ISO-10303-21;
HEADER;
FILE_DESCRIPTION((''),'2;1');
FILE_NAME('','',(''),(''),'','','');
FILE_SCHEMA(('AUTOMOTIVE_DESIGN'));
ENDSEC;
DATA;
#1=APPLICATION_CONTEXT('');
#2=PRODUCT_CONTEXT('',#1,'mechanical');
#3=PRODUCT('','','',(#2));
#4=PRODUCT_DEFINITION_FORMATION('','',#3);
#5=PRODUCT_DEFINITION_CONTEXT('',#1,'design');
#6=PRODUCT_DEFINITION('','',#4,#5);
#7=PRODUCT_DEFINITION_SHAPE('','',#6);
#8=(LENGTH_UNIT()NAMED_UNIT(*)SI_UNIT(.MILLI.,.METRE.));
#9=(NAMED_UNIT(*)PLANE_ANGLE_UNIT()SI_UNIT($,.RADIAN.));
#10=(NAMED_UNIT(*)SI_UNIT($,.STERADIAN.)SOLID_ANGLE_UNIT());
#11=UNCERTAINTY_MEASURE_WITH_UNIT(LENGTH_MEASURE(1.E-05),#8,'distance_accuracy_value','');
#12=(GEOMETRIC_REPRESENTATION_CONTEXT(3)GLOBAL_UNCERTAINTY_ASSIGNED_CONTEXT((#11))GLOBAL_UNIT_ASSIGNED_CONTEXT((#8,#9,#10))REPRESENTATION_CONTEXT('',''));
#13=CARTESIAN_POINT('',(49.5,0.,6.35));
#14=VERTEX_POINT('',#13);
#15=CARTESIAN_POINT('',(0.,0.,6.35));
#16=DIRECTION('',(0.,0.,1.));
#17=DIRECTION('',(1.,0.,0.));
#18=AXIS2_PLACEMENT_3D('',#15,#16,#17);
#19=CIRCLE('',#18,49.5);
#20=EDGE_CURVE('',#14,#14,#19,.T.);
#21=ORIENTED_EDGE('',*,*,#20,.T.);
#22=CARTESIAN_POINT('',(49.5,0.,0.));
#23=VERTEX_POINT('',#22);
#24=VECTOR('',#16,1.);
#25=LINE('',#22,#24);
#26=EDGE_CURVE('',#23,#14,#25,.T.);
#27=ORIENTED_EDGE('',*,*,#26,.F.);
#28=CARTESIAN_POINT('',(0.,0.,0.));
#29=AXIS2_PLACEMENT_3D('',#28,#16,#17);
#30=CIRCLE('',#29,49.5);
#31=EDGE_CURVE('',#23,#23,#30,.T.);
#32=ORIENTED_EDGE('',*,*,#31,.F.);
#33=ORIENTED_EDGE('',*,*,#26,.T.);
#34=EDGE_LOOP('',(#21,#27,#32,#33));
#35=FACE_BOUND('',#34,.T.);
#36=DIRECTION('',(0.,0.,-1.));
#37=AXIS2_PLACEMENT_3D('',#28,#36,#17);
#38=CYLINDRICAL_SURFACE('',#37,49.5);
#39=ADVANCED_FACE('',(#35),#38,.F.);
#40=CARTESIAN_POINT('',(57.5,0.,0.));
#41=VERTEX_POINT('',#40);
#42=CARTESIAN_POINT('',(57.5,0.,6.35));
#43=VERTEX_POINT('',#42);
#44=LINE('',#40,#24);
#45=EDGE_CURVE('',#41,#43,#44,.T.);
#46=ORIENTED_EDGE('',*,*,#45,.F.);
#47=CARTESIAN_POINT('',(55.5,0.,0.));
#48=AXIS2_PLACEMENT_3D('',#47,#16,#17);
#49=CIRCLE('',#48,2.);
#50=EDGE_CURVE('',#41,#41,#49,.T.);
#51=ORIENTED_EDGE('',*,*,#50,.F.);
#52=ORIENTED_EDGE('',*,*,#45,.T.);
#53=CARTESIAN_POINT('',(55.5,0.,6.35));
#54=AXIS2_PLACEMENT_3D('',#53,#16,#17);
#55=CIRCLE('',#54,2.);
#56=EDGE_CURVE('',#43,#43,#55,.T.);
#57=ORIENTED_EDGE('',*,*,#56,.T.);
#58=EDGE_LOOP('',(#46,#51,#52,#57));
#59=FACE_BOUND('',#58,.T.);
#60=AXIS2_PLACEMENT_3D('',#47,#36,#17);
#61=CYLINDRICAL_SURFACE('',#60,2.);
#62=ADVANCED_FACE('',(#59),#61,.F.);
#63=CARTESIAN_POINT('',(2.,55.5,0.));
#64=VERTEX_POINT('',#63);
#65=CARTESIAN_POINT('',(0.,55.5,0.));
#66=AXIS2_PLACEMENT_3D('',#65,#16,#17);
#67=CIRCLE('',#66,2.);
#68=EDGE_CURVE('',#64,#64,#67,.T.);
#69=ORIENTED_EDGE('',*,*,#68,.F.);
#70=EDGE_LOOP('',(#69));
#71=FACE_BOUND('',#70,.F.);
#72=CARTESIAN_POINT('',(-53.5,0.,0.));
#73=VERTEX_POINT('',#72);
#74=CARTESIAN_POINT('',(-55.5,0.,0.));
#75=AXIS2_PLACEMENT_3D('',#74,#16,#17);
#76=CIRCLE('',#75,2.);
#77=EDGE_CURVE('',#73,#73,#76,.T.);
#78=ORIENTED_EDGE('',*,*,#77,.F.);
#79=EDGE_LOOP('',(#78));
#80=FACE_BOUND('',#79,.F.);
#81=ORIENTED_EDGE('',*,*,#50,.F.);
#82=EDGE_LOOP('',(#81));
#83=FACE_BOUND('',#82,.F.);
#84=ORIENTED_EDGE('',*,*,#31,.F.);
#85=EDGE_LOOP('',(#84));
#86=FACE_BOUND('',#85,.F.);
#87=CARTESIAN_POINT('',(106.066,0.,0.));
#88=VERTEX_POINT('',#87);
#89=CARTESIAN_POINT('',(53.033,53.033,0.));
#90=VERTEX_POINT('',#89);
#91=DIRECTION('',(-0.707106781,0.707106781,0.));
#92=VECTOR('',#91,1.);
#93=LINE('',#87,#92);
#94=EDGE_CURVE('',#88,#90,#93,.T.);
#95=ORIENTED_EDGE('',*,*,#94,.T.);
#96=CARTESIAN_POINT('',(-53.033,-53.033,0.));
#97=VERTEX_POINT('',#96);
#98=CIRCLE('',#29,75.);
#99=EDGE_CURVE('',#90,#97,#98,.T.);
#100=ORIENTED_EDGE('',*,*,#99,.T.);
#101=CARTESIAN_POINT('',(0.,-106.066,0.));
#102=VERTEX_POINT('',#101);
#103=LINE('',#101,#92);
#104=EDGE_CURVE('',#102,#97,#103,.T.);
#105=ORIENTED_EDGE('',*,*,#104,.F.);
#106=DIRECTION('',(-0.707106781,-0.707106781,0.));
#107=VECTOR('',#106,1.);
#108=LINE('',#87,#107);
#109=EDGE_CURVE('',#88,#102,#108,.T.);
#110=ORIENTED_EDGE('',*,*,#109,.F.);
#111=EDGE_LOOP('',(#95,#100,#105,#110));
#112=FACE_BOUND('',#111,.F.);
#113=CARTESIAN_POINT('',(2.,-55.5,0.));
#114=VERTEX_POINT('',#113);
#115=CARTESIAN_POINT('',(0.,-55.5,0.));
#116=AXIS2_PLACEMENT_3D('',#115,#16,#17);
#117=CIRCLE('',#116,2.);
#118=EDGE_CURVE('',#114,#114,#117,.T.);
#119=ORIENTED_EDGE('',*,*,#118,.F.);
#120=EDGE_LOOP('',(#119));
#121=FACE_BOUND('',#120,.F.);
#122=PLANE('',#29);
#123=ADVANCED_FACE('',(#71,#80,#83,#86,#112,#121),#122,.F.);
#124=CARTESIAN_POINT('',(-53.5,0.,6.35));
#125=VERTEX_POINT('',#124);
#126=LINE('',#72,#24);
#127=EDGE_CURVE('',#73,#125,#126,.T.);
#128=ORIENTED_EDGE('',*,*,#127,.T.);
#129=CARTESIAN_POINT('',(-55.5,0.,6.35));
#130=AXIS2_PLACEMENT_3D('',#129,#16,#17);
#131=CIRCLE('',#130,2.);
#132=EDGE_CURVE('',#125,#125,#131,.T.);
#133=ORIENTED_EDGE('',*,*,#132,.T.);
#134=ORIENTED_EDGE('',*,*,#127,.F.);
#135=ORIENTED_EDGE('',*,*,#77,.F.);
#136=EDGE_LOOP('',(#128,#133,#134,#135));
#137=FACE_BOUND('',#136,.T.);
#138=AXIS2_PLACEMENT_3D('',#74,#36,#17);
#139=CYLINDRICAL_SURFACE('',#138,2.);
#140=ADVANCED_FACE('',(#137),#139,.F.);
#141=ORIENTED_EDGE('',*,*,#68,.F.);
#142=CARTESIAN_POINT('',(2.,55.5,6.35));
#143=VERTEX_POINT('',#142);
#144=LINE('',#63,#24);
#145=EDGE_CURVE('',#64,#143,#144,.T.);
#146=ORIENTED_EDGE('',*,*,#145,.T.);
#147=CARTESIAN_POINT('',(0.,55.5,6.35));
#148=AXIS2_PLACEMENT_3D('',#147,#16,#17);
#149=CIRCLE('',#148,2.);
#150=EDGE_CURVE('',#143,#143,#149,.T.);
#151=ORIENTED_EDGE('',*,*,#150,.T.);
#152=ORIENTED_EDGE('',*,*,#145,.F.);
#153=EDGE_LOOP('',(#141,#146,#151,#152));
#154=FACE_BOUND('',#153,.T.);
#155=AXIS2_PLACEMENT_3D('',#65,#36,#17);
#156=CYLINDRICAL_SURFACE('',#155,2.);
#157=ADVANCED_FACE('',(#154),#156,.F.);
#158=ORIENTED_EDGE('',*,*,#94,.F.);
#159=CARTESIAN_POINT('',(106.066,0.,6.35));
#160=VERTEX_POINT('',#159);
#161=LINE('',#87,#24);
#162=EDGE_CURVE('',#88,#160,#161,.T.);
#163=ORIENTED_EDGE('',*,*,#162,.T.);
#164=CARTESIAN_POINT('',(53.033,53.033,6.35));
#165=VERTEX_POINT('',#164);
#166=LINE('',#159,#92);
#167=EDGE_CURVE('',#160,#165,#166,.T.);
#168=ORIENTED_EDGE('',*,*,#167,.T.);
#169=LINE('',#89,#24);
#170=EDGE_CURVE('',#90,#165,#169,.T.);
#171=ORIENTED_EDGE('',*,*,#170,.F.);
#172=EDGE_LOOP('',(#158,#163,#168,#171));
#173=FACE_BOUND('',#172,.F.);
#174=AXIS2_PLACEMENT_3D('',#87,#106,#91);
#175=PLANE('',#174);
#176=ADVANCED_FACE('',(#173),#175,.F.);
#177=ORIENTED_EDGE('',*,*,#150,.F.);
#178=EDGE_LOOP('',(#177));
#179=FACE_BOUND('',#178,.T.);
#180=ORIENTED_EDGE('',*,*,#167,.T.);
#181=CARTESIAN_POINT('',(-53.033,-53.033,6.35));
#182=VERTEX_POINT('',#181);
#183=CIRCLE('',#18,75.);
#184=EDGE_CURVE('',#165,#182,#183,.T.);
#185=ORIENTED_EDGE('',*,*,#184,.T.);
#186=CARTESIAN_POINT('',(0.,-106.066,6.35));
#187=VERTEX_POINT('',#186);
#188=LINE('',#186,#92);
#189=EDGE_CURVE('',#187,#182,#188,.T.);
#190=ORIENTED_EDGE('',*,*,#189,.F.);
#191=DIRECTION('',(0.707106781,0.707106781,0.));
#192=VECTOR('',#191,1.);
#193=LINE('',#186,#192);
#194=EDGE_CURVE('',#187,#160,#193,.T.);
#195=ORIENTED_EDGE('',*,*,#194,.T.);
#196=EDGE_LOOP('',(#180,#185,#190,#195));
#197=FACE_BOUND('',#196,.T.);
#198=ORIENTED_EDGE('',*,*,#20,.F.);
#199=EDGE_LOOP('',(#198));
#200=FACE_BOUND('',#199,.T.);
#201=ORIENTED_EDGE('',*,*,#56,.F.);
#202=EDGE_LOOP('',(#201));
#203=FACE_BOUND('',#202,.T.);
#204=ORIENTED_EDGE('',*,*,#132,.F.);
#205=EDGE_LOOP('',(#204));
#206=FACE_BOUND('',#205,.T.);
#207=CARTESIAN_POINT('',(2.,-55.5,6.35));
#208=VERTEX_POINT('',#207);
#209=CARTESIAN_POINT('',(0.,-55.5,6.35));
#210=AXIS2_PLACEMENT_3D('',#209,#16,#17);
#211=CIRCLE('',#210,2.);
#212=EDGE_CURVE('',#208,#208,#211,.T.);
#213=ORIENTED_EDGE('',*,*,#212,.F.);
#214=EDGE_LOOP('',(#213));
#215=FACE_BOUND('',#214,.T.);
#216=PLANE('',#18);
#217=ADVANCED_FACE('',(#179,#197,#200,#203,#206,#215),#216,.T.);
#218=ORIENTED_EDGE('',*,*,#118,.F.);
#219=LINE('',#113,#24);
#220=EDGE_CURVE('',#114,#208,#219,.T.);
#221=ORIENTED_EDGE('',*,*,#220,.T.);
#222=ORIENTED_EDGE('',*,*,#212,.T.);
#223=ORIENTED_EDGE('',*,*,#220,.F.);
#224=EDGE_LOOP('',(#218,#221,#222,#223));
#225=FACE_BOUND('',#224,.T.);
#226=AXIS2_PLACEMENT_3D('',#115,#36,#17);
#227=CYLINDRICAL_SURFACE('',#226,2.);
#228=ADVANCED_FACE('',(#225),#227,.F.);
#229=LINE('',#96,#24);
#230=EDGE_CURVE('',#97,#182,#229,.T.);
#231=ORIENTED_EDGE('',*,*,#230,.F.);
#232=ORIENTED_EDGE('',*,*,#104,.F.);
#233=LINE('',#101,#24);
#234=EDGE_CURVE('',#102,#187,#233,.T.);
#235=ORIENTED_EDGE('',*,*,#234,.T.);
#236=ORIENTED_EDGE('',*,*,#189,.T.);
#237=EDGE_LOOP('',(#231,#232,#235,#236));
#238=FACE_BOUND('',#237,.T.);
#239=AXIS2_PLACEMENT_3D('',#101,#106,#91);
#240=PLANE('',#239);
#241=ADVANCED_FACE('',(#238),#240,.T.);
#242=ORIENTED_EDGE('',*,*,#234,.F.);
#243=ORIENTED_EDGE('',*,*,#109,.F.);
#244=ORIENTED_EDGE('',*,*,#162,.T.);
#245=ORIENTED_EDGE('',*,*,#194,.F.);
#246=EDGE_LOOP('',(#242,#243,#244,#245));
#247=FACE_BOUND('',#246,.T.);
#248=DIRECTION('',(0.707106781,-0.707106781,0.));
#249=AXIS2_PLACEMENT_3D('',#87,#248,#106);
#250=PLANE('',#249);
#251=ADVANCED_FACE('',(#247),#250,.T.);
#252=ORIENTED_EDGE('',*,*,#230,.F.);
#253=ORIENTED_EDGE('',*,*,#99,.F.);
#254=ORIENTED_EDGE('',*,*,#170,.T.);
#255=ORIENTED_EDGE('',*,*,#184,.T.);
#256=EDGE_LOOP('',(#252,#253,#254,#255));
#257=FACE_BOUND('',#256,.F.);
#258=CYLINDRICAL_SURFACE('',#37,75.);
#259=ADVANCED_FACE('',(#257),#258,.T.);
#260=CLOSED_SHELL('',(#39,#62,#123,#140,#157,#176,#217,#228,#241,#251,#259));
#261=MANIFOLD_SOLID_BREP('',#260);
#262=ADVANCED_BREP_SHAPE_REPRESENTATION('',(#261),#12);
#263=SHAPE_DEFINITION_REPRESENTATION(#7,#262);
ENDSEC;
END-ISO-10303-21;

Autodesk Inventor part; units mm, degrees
ref_plane "YZ Plane" through (0, 0, 0) normal (1, 0, 0) x (0, 1, 0)
ref_plane "XZ Plane" through (0, 0, 0) normal (0, 1, 0) x (-1, 0, 0)
ref_plane "XY Plane" through (0, 0, 0) normal (0, 0, 1) x (1, 0, 0)
ref_plane "Work Plane1" through (0, 0, 0) normal (0, 0, 1) x (1, 0, 0)
sketch "Sketch1" plane through (0, 0, 0) normal (0, 0, 1) x (1, 0, 0)
  circle A0 centre (0, 55.5) radius 2 projected
  circle A1 centre (55.5, 0) radius 2 projected
  circle A2 centre (-55.5, 0) radius 2 projected
  circle A3 centre (0, -55.5) radius 2 projected
  circle A4 centre (-39.2444, -39.2444) radius 4 projected
  circle A5 centre (39.2444, -39.2444) radius 4 projected
  circle A6 centre (-39.2444, 39.2444) radius 4 projected
  circle A7 centre (39.2444, 39.2444) radius 4 projected
  circle A8 centre (0, 0) radius 61.5 projected
  circle A9 centre (0, 0) radius 49.5 projected
  circle A10 centre (0, 0) radius 75
  line L0 (106.066, 0) -> (0, -106.066)
  line L1 (0, -55.5) -> (-55.5, 0) construction
  line L2 (106.066, 0) -> (53.033, 53.033)
  line L3 (0, -106.066) -> (-53.033, -53.033)
  point P0 (0, 0)
  dimension "d0" = 150
extrude "Extrusion1" add sketch "Sketch1" along normal blind 6.35 contours A4 | A5 | A6 | A7 | A8 | A10 | A10 L2 L0 | L0 L3 A10
properties part number "AxisBoard"
